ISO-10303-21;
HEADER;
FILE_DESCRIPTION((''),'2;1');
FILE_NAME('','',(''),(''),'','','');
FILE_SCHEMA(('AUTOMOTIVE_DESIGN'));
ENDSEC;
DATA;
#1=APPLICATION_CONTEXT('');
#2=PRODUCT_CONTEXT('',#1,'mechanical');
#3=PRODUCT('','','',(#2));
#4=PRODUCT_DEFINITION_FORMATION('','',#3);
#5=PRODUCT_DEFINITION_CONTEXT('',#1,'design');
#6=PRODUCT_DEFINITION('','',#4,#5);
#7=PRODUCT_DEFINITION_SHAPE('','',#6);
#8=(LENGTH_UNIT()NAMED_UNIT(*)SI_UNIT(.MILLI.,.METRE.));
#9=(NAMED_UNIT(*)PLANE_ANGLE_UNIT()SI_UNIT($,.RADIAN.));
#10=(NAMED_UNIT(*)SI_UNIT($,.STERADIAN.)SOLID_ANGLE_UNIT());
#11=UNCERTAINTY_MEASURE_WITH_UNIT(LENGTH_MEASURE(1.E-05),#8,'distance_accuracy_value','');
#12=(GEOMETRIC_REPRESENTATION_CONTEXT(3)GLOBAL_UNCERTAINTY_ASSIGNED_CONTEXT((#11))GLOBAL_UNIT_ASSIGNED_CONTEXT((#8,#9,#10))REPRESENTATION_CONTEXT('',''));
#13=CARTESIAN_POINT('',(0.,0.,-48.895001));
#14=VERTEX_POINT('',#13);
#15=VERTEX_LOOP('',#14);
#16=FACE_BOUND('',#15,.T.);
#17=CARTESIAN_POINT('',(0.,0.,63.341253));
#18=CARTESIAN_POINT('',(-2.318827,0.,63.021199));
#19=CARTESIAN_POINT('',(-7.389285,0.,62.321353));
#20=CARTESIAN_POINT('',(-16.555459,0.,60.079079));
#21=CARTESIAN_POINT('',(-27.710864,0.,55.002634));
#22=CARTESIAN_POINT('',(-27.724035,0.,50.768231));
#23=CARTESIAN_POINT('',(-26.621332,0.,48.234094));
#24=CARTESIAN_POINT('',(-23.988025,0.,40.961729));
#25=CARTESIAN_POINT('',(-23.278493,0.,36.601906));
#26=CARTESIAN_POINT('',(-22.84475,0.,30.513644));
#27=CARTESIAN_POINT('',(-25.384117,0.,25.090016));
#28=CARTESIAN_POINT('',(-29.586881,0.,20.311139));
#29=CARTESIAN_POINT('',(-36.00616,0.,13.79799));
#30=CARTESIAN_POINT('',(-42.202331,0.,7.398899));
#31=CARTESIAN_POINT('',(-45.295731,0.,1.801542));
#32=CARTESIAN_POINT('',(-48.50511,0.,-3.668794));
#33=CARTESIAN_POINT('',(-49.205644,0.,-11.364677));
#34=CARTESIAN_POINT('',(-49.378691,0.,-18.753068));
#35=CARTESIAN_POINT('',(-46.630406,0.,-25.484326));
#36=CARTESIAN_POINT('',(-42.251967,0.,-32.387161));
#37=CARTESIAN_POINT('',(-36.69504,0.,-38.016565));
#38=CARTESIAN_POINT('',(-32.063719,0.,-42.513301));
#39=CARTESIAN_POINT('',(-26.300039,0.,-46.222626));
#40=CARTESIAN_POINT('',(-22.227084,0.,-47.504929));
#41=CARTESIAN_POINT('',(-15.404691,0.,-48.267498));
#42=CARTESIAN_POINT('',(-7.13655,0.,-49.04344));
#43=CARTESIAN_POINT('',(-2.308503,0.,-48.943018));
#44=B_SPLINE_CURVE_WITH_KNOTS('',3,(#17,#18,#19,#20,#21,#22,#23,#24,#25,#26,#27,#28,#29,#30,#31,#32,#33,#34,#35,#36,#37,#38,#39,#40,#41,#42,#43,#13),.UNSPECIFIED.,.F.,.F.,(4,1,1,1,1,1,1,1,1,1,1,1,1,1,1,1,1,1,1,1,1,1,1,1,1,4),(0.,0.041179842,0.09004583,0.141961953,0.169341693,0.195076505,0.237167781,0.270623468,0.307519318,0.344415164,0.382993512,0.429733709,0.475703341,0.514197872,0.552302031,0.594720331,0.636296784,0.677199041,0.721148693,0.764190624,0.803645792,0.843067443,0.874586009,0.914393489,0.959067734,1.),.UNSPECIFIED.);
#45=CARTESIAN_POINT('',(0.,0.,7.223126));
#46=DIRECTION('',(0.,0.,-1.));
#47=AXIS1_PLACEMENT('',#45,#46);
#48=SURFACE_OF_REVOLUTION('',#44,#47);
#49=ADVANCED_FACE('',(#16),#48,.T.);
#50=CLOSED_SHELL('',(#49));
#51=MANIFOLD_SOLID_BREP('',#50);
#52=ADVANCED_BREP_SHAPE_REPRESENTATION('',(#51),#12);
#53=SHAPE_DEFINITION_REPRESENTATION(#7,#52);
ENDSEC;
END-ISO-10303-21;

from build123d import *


with BuildPart() as f1:
    # F0 (on Front) → F1 (revolve)
    with BuildSketch(Plane.XZ):
        with BuildLine():
            Line((0, -48.8950014114), (0, 63.3412525058))
            add(Edge.make_bspline(
                [(0, 63.3412525058), (-2.3188268107, 63.0211985487), (-7.3892854189, 62.3213531208), (-16.5554594713, 60.0790786952), (-27.7108644966, 55.0026339158), (-27.7240354299, 50.7682307785), (-26.6213321064, 48.2340938312), (-23.9880254405, 40.9617286562), (-23.2784932048, 36.6019055802), (-22.8447501041, 30.5136441089), (-25.3841166194, 25.090016289), (-29.5868808858, 20.3111386227), (-36.0061602811, 13.7979898811), (-42.2023307485, 7.3988988515), (-45.2957307334, 1.8015421114), (-48.5051102489, -3.6687943504), (-49.2056437934, -11.3646768364), (-49.378691122, -18.7530675661), (-46.6304062149, -25.4843264952), (-42.2519665701, -32.3871606059), (-36.6950399162, -38.0165654326), (-32.0637194756, -42.5133006885), (-26.3000390841, -46.2226262323), (-22.2270838109, -47.5049286971), (-15.4046910978, -48.267497873), (-7.1365497611, -49.0434395443), (-2.3085030657, -48.9430175952), (0, -48.8950014114)],
                knots=[0, 0, 0, 0, 0.041179842, 0.0900458299, 0.1419619534, 0.1693416925, 0.1950765055, 0.2371677807, 0.2706234684, 0.3075193181, 0.3444151637, 0.3829935123, 0.4297337088, 0.4757033406, 0.5141978716, 0.5523020309, 0.5947203313, 0.6362967843, 0.6771990414, 0.7211486926, 0.7641906236, 0.8036457916, 0.8430674426, 0.8745860085, 0.9143934889, 0.9590677337, 1, 1, 1, 1], degree=3))
        make_face()
    revolve(axis=Axis((0, 0, 7.2231255472), (0, 0, -1)))


solid = f1.part
